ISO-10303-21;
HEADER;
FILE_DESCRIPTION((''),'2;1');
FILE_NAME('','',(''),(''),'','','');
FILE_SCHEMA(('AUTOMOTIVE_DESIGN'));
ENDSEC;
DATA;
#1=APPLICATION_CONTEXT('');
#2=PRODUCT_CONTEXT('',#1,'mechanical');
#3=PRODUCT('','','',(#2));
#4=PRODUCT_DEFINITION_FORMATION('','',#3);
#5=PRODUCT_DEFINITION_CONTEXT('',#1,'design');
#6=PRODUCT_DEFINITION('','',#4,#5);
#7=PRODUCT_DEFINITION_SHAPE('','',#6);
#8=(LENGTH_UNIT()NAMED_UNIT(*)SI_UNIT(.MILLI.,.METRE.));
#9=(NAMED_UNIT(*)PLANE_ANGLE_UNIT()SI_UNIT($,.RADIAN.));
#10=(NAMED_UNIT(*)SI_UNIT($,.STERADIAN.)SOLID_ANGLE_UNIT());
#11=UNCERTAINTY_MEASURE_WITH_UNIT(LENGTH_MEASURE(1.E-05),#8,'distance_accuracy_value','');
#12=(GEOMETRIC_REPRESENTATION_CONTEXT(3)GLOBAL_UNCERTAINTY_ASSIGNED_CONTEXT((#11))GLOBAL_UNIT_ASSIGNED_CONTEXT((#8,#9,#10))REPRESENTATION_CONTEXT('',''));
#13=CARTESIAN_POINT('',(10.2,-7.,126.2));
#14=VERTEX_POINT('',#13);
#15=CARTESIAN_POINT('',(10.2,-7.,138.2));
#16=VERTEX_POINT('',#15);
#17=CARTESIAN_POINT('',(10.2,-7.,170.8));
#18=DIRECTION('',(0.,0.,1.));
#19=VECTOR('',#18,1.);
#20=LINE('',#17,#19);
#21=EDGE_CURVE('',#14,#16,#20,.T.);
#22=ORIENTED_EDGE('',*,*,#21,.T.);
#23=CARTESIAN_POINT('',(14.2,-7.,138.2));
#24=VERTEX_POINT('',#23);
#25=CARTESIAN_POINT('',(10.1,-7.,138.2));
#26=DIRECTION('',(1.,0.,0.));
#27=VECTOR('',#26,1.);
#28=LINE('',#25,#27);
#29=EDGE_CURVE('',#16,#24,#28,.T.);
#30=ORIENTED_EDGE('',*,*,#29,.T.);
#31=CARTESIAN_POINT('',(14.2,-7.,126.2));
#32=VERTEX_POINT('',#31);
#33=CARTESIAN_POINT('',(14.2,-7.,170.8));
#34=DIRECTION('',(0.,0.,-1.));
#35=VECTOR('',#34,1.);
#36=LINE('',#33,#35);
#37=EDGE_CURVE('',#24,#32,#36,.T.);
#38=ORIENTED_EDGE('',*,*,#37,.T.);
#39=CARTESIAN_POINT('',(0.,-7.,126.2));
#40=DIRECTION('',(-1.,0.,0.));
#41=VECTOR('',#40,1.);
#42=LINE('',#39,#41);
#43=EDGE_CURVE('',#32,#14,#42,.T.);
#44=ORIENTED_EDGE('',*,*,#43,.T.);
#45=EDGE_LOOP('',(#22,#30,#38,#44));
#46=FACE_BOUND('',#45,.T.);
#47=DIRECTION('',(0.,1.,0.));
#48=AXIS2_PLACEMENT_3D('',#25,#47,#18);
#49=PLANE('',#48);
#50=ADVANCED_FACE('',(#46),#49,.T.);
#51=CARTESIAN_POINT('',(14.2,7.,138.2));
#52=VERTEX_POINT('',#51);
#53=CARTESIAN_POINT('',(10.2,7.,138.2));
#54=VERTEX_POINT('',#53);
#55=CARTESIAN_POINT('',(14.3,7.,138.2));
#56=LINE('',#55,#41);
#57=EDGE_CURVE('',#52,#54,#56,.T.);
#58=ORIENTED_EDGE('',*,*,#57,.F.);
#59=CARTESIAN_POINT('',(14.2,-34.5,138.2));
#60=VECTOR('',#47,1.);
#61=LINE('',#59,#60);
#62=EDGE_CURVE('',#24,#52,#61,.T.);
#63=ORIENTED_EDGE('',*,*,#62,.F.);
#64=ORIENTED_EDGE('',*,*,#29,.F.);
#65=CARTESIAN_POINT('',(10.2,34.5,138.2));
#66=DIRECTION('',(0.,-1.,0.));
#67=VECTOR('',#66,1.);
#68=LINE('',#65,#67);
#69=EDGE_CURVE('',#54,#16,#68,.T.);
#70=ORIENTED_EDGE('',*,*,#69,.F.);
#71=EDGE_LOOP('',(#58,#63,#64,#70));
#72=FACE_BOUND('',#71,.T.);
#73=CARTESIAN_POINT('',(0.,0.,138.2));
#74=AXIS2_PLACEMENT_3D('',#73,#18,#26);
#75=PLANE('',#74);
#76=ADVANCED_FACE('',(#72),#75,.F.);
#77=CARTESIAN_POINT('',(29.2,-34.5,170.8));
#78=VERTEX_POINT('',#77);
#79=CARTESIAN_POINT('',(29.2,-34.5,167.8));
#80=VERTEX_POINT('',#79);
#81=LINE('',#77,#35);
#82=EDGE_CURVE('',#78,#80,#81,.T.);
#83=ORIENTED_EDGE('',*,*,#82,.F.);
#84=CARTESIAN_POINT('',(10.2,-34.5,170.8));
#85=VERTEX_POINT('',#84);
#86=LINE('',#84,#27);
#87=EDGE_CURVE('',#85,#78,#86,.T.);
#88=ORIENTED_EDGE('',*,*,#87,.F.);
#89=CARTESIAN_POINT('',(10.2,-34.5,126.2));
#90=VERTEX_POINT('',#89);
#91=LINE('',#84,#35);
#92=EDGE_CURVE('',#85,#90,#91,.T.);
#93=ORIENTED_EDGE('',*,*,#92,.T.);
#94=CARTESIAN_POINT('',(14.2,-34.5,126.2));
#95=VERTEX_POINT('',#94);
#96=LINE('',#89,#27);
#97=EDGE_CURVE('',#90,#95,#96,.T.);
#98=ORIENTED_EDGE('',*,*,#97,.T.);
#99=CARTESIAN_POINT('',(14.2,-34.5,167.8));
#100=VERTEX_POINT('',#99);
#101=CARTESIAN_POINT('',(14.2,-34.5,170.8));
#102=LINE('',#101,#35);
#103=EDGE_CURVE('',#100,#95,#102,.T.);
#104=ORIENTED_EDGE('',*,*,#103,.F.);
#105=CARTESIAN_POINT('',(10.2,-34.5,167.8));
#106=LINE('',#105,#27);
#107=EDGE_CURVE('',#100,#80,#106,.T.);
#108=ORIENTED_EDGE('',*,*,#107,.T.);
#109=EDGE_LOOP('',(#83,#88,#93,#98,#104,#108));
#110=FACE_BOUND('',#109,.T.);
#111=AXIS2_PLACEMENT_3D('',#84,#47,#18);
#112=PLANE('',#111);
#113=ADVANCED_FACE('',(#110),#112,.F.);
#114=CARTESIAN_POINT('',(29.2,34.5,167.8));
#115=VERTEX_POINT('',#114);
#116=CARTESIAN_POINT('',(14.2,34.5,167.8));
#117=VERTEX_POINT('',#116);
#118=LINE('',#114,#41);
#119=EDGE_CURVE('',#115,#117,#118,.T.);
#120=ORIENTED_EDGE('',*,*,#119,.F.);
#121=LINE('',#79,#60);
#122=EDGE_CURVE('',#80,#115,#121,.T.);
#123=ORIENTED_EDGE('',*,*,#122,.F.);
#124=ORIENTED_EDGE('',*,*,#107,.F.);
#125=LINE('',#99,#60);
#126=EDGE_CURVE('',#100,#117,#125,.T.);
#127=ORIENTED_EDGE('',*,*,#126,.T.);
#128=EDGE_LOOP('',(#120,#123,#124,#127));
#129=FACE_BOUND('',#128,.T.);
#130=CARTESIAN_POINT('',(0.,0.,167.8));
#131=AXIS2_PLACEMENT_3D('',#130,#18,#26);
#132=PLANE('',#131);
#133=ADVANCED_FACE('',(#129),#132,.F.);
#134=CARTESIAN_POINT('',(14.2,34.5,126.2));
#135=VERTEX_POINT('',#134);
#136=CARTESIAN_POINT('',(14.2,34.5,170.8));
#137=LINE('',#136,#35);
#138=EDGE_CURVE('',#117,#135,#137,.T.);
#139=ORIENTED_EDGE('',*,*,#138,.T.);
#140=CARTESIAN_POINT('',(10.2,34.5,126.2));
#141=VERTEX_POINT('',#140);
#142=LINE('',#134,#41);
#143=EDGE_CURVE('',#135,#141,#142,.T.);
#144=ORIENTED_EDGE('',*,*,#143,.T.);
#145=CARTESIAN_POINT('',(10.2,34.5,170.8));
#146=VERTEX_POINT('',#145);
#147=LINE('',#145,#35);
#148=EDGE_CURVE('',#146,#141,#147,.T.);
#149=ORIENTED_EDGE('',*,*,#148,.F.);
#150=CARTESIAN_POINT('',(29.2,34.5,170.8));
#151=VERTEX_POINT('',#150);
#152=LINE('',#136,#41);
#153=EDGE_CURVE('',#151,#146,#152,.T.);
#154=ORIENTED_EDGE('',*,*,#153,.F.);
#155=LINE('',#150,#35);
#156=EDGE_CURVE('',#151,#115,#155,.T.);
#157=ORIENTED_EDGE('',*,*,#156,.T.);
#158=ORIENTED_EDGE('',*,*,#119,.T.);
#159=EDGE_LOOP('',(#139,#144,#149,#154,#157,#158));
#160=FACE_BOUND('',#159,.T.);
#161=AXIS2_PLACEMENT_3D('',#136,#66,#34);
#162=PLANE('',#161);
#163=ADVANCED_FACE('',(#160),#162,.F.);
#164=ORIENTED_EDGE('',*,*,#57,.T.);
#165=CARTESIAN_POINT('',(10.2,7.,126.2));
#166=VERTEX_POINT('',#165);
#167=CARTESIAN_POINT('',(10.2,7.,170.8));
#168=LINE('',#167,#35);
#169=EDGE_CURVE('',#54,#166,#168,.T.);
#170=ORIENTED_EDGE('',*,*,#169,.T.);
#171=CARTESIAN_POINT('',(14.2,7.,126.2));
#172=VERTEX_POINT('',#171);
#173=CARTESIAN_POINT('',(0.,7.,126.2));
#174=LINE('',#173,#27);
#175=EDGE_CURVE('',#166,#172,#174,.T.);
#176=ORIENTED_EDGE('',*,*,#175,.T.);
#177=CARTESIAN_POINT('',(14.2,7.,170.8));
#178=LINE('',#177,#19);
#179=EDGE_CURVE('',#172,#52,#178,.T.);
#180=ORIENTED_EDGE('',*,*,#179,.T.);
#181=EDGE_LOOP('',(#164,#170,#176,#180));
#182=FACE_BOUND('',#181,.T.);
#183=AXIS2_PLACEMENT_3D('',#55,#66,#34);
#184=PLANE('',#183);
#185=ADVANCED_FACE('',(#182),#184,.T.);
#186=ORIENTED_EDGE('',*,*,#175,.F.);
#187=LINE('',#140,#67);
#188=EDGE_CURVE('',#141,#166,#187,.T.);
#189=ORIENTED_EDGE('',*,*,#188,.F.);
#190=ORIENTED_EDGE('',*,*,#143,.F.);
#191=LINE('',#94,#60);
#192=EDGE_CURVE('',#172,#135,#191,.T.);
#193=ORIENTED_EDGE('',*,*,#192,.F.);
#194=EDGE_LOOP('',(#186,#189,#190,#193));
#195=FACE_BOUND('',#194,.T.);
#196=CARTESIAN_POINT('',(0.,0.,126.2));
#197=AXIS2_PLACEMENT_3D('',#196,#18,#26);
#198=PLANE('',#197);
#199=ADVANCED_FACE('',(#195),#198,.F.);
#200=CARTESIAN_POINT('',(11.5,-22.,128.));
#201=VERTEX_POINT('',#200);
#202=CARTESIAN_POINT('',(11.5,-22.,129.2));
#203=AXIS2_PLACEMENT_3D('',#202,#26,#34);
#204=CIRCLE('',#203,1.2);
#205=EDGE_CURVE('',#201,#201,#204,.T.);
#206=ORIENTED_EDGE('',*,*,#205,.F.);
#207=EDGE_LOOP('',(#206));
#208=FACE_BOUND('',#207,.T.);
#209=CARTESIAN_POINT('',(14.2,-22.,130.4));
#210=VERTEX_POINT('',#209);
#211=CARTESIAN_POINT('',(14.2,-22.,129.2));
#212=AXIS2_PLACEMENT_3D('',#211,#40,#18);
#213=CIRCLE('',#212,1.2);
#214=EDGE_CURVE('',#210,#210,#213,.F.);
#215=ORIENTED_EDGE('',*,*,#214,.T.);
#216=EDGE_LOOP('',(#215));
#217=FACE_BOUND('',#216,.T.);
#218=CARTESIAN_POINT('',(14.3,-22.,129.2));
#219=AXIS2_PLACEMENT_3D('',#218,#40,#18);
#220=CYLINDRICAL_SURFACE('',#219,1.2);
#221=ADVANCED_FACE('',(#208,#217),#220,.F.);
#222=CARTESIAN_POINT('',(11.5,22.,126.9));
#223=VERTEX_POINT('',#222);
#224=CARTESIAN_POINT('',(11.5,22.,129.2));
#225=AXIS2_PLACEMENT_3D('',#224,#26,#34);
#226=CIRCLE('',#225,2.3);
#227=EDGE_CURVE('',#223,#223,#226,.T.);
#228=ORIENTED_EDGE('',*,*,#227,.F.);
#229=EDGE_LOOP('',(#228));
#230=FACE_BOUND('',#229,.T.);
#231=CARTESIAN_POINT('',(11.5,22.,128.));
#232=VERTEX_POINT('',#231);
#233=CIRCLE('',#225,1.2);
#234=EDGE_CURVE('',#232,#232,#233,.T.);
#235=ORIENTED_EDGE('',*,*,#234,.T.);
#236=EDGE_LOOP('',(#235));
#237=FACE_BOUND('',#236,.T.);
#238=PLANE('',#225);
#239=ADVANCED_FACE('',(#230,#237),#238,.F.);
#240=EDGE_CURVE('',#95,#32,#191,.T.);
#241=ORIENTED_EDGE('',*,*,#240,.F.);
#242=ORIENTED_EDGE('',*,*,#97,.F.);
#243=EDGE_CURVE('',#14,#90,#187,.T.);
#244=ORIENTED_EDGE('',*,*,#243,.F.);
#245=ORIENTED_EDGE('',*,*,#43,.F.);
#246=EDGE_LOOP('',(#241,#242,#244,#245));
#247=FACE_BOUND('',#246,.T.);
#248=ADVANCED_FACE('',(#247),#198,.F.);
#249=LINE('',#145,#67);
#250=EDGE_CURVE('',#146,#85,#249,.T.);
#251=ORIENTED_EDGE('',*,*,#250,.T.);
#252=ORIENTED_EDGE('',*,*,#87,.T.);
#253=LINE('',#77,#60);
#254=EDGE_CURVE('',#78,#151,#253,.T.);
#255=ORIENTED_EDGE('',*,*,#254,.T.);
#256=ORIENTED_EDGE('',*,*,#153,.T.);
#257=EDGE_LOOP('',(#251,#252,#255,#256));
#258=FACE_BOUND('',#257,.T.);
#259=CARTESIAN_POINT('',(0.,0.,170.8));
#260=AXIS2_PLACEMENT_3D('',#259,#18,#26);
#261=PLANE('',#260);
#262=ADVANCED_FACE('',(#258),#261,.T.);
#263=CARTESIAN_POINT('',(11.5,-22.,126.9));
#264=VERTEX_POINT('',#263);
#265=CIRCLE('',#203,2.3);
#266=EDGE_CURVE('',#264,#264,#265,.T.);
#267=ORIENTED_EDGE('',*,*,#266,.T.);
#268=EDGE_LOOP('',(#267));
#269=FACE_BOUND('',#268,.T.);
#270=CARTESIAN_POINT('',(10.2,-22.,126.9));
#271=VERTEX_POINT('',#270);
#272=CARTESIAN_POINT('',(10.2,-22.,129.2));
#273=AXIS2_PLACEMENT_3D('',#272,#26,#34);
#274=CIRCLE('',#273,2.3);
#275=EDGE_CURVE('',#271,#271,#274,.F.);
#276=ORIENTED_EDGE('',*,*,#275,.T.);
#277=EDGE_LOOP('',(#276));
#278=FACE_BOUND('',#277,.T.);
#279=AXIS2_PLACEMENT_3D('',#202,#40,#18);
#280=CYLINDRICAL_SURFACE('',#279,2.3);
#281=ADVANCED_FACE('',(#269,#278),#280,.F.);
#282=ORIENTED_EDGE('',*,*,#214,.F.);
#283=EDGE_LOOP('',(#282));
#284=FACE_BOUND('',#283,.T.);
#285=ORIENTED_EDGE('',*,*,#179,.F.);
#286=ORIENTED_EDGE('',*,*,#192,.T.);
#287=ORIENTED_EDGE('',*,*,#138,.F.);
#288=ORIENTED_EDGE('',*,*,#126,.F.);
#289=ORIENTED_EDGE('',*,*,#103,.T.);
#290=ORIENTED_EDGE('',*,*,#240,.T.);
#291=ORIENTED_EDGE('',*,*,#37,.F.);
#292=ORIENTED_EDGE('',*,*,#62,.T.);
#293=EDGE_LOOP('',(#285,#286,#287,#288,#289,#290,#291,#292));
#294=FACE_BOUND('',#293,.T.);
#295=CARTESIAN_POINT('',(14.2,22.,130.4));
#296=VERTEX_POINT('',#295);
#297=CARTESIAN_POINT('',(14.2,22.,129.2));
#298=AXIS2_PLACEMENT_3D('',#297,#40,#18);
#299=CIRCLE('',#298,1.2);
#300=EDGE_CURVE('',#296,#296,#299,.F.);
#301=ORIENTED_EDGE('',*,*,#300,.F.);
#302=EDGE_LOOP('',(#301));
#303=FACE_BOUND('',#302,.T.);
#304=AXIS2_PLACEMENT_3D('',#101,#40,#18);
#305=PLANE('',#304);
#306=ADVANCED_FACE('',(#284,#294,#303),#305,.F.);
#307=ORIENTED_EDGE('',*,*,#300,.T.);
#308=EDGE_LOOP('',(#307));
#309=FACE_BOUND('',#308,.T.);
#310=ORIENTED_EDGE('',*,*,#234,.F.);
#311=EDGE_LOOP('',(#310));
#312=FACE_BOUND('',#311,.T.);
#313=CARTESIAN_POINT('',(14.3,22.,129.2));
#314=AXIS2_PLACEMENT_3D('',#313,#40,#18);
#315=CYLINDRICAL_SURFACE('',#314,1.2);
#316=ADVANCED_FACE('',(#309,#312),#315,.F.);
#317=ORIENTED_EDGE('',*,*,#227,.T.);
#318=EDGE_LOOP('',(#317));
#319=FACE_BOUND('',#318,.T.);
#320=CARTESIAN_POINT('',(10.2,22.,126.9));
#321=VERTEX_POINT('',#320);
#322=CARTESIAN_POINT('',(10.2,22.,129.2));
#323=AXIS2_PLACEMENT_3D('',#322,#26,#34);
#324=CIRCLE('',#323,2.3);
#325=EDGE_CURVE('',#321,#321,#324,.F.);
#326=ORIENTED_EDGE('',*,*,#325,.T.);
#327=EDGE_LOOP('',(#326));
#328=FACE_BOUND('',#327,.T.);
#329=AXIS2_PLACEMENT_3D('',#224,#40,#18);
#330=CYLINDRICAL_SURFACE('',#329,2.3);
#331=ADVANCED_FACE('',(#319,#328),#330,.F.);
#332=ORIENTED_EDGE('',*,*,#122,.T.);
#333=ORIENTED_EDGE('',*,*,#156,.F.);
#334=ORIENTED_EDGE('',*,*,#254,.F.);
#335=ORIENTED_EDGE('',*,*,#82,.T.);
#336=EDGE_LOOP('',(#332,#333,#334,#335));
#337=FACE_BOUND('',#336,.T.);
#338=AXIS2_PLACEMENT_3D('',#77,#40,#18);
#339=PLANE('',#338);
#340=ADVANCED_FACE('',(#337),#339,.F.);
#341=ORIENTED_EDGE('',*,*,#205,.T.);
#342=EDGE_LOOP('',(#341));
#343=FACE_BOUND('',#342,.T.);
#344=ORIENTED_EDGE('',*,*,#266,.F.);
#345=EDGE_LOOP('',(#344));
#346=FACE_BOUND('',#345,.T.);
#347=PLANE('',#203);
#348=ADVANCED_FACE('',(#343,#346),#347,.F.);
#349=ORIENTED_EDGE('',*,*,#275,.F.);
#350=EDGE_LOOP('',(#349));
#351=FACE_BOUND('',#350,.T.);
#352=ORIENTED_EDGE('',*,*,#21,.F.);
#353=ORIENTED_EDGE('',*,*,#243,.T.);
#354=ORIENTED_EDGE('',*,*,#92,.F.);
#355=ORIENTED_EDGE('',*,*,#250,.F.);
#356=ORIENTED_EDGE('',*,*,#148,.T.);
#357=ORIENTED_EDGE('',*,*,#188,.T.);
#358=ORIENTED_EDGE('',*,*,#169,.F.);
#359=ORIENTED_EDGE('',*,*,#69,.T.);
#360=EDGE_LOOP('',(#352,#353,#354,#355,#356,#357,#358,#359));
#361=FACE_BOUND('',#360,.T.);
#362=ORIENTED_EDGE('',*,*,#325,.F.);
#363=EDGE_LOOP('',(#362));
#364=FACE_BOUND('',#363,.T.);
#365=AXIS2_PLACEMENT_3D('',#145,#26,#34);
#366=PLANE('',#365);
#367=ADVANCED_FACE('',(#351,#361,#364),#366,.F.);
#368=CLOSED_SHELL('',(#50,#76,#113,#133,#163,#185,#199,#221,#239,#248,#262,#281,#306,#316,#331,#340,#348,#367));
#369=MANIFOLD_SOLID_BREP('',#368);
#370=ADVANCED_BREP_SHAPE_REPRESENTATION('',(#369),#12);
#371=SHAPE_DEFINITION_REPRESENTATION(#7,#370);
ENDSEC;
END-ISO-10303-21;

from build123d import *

# Parameters (mm, degrees)
S_BOX1_W       = 4
S_BOX1_H       = 69
BOSS_1_DEPTH   = 44.6
S_BOX2_W       = 19
S_BOX2_H       = 69
BOSS_2_DEPTH   = 3
S_CUT3_W       = 4.2
S_CUT3_H       = 14
POCKET_3_DEPTH = 12.1
S_HOLE4_R      = 1.2
HOLE_4_DEPTH   = 4.2
S_HOLE5_R      = 2.3
HOLE_5_DEPTH   = 1.4
S_HOLE6_R      = 1.2
HOLE_6_DEPTH   = 4.2
S_HOLE7_R      = 2.3
HOLE_7_DEPTH   = 1.4


with BuildPart() as part:
    # S_box1 → Boss_1 (new body)
    with BuildSketch(Plane.XY.offset(126.2)):
        with Locations((12.2, 0)):
            Rectangle(S_BOX1_W, S_BOX1_H)
    extrude(amount=BOSS_1_DEPTH)

    # S_box2 → Boss_2 (add)
    with BuildSketch(Plane.XY.offset(167.8)):
        with Locations((19.7, 0)):
            Rectangle(S_BOX2_W, S_BOX2_H)
    extrude(amount=BOSS_2_DEPTH)

    # S_cut3 → Pocket_3 (cut)
    with BuildSketch(Plane.XY.offset(126.1)):
        with Locations((12.2, 0)):
            Rectangle(S_CUT3_W, S_CUT3_H)
    extrude(amount=POCKET_3_DEPTH, mode=Mode.SUBTRACT)

    # S_hole4 → Hole_4 (cut)
    with BuildSketch(Plane(origin=(10.1, 0, 0), x_dir=(0, 0, -1), z_dir=(1, 0, 0))):
        with Locations(Location((-129.2, -22, 0), (0, 0, 180))):
            Circle(S_HOLE4_R)
    extrude(amount=HOLE_4_DEPTH, mode=Mode.SUBTRACT)

    # S_hole5 → Hole_5 (cut)
    with BuildSketch(Plane(origin=(10.1, 0, 0), x_dir=(0, 0, -1), z_dir=(1, 0, 0))):
        with Locations((-129.2, -22)):
            Circle(S_HOLE5_R)
    extrude(amount=HOLE_5_DEPTH, mode=Mode.SUBTRACT)

    # S_hole6 → Hole_6 (cut)
    with BuildSketch(Plane(origin=(10.1, 0, 0), x_dir=(0, 0, -1), z_dir=(1, 0, 0))):
        with Locations(Location((-129.2, 22, 0), (0, 0, 180))):
            Circle(S_HOLE6_R)
    extrude(amount=HOLE_6_DEPTH, mode=Mode.SUBTRACT)

    # S_hole7 → Hole_7 (cut)
    with BuildSketch(Plane(origin=(10.1, 0, 0), x_dir=(0, 0, -1), z_dir=(1, 0, 0))):
        with Locations((-129.2, 22)):
            Circle(S_HOLE7_R)
    extrude(amount=HOLE_7_DEPTH, mode=Mode.SUBTRACT)


solid = part.part
